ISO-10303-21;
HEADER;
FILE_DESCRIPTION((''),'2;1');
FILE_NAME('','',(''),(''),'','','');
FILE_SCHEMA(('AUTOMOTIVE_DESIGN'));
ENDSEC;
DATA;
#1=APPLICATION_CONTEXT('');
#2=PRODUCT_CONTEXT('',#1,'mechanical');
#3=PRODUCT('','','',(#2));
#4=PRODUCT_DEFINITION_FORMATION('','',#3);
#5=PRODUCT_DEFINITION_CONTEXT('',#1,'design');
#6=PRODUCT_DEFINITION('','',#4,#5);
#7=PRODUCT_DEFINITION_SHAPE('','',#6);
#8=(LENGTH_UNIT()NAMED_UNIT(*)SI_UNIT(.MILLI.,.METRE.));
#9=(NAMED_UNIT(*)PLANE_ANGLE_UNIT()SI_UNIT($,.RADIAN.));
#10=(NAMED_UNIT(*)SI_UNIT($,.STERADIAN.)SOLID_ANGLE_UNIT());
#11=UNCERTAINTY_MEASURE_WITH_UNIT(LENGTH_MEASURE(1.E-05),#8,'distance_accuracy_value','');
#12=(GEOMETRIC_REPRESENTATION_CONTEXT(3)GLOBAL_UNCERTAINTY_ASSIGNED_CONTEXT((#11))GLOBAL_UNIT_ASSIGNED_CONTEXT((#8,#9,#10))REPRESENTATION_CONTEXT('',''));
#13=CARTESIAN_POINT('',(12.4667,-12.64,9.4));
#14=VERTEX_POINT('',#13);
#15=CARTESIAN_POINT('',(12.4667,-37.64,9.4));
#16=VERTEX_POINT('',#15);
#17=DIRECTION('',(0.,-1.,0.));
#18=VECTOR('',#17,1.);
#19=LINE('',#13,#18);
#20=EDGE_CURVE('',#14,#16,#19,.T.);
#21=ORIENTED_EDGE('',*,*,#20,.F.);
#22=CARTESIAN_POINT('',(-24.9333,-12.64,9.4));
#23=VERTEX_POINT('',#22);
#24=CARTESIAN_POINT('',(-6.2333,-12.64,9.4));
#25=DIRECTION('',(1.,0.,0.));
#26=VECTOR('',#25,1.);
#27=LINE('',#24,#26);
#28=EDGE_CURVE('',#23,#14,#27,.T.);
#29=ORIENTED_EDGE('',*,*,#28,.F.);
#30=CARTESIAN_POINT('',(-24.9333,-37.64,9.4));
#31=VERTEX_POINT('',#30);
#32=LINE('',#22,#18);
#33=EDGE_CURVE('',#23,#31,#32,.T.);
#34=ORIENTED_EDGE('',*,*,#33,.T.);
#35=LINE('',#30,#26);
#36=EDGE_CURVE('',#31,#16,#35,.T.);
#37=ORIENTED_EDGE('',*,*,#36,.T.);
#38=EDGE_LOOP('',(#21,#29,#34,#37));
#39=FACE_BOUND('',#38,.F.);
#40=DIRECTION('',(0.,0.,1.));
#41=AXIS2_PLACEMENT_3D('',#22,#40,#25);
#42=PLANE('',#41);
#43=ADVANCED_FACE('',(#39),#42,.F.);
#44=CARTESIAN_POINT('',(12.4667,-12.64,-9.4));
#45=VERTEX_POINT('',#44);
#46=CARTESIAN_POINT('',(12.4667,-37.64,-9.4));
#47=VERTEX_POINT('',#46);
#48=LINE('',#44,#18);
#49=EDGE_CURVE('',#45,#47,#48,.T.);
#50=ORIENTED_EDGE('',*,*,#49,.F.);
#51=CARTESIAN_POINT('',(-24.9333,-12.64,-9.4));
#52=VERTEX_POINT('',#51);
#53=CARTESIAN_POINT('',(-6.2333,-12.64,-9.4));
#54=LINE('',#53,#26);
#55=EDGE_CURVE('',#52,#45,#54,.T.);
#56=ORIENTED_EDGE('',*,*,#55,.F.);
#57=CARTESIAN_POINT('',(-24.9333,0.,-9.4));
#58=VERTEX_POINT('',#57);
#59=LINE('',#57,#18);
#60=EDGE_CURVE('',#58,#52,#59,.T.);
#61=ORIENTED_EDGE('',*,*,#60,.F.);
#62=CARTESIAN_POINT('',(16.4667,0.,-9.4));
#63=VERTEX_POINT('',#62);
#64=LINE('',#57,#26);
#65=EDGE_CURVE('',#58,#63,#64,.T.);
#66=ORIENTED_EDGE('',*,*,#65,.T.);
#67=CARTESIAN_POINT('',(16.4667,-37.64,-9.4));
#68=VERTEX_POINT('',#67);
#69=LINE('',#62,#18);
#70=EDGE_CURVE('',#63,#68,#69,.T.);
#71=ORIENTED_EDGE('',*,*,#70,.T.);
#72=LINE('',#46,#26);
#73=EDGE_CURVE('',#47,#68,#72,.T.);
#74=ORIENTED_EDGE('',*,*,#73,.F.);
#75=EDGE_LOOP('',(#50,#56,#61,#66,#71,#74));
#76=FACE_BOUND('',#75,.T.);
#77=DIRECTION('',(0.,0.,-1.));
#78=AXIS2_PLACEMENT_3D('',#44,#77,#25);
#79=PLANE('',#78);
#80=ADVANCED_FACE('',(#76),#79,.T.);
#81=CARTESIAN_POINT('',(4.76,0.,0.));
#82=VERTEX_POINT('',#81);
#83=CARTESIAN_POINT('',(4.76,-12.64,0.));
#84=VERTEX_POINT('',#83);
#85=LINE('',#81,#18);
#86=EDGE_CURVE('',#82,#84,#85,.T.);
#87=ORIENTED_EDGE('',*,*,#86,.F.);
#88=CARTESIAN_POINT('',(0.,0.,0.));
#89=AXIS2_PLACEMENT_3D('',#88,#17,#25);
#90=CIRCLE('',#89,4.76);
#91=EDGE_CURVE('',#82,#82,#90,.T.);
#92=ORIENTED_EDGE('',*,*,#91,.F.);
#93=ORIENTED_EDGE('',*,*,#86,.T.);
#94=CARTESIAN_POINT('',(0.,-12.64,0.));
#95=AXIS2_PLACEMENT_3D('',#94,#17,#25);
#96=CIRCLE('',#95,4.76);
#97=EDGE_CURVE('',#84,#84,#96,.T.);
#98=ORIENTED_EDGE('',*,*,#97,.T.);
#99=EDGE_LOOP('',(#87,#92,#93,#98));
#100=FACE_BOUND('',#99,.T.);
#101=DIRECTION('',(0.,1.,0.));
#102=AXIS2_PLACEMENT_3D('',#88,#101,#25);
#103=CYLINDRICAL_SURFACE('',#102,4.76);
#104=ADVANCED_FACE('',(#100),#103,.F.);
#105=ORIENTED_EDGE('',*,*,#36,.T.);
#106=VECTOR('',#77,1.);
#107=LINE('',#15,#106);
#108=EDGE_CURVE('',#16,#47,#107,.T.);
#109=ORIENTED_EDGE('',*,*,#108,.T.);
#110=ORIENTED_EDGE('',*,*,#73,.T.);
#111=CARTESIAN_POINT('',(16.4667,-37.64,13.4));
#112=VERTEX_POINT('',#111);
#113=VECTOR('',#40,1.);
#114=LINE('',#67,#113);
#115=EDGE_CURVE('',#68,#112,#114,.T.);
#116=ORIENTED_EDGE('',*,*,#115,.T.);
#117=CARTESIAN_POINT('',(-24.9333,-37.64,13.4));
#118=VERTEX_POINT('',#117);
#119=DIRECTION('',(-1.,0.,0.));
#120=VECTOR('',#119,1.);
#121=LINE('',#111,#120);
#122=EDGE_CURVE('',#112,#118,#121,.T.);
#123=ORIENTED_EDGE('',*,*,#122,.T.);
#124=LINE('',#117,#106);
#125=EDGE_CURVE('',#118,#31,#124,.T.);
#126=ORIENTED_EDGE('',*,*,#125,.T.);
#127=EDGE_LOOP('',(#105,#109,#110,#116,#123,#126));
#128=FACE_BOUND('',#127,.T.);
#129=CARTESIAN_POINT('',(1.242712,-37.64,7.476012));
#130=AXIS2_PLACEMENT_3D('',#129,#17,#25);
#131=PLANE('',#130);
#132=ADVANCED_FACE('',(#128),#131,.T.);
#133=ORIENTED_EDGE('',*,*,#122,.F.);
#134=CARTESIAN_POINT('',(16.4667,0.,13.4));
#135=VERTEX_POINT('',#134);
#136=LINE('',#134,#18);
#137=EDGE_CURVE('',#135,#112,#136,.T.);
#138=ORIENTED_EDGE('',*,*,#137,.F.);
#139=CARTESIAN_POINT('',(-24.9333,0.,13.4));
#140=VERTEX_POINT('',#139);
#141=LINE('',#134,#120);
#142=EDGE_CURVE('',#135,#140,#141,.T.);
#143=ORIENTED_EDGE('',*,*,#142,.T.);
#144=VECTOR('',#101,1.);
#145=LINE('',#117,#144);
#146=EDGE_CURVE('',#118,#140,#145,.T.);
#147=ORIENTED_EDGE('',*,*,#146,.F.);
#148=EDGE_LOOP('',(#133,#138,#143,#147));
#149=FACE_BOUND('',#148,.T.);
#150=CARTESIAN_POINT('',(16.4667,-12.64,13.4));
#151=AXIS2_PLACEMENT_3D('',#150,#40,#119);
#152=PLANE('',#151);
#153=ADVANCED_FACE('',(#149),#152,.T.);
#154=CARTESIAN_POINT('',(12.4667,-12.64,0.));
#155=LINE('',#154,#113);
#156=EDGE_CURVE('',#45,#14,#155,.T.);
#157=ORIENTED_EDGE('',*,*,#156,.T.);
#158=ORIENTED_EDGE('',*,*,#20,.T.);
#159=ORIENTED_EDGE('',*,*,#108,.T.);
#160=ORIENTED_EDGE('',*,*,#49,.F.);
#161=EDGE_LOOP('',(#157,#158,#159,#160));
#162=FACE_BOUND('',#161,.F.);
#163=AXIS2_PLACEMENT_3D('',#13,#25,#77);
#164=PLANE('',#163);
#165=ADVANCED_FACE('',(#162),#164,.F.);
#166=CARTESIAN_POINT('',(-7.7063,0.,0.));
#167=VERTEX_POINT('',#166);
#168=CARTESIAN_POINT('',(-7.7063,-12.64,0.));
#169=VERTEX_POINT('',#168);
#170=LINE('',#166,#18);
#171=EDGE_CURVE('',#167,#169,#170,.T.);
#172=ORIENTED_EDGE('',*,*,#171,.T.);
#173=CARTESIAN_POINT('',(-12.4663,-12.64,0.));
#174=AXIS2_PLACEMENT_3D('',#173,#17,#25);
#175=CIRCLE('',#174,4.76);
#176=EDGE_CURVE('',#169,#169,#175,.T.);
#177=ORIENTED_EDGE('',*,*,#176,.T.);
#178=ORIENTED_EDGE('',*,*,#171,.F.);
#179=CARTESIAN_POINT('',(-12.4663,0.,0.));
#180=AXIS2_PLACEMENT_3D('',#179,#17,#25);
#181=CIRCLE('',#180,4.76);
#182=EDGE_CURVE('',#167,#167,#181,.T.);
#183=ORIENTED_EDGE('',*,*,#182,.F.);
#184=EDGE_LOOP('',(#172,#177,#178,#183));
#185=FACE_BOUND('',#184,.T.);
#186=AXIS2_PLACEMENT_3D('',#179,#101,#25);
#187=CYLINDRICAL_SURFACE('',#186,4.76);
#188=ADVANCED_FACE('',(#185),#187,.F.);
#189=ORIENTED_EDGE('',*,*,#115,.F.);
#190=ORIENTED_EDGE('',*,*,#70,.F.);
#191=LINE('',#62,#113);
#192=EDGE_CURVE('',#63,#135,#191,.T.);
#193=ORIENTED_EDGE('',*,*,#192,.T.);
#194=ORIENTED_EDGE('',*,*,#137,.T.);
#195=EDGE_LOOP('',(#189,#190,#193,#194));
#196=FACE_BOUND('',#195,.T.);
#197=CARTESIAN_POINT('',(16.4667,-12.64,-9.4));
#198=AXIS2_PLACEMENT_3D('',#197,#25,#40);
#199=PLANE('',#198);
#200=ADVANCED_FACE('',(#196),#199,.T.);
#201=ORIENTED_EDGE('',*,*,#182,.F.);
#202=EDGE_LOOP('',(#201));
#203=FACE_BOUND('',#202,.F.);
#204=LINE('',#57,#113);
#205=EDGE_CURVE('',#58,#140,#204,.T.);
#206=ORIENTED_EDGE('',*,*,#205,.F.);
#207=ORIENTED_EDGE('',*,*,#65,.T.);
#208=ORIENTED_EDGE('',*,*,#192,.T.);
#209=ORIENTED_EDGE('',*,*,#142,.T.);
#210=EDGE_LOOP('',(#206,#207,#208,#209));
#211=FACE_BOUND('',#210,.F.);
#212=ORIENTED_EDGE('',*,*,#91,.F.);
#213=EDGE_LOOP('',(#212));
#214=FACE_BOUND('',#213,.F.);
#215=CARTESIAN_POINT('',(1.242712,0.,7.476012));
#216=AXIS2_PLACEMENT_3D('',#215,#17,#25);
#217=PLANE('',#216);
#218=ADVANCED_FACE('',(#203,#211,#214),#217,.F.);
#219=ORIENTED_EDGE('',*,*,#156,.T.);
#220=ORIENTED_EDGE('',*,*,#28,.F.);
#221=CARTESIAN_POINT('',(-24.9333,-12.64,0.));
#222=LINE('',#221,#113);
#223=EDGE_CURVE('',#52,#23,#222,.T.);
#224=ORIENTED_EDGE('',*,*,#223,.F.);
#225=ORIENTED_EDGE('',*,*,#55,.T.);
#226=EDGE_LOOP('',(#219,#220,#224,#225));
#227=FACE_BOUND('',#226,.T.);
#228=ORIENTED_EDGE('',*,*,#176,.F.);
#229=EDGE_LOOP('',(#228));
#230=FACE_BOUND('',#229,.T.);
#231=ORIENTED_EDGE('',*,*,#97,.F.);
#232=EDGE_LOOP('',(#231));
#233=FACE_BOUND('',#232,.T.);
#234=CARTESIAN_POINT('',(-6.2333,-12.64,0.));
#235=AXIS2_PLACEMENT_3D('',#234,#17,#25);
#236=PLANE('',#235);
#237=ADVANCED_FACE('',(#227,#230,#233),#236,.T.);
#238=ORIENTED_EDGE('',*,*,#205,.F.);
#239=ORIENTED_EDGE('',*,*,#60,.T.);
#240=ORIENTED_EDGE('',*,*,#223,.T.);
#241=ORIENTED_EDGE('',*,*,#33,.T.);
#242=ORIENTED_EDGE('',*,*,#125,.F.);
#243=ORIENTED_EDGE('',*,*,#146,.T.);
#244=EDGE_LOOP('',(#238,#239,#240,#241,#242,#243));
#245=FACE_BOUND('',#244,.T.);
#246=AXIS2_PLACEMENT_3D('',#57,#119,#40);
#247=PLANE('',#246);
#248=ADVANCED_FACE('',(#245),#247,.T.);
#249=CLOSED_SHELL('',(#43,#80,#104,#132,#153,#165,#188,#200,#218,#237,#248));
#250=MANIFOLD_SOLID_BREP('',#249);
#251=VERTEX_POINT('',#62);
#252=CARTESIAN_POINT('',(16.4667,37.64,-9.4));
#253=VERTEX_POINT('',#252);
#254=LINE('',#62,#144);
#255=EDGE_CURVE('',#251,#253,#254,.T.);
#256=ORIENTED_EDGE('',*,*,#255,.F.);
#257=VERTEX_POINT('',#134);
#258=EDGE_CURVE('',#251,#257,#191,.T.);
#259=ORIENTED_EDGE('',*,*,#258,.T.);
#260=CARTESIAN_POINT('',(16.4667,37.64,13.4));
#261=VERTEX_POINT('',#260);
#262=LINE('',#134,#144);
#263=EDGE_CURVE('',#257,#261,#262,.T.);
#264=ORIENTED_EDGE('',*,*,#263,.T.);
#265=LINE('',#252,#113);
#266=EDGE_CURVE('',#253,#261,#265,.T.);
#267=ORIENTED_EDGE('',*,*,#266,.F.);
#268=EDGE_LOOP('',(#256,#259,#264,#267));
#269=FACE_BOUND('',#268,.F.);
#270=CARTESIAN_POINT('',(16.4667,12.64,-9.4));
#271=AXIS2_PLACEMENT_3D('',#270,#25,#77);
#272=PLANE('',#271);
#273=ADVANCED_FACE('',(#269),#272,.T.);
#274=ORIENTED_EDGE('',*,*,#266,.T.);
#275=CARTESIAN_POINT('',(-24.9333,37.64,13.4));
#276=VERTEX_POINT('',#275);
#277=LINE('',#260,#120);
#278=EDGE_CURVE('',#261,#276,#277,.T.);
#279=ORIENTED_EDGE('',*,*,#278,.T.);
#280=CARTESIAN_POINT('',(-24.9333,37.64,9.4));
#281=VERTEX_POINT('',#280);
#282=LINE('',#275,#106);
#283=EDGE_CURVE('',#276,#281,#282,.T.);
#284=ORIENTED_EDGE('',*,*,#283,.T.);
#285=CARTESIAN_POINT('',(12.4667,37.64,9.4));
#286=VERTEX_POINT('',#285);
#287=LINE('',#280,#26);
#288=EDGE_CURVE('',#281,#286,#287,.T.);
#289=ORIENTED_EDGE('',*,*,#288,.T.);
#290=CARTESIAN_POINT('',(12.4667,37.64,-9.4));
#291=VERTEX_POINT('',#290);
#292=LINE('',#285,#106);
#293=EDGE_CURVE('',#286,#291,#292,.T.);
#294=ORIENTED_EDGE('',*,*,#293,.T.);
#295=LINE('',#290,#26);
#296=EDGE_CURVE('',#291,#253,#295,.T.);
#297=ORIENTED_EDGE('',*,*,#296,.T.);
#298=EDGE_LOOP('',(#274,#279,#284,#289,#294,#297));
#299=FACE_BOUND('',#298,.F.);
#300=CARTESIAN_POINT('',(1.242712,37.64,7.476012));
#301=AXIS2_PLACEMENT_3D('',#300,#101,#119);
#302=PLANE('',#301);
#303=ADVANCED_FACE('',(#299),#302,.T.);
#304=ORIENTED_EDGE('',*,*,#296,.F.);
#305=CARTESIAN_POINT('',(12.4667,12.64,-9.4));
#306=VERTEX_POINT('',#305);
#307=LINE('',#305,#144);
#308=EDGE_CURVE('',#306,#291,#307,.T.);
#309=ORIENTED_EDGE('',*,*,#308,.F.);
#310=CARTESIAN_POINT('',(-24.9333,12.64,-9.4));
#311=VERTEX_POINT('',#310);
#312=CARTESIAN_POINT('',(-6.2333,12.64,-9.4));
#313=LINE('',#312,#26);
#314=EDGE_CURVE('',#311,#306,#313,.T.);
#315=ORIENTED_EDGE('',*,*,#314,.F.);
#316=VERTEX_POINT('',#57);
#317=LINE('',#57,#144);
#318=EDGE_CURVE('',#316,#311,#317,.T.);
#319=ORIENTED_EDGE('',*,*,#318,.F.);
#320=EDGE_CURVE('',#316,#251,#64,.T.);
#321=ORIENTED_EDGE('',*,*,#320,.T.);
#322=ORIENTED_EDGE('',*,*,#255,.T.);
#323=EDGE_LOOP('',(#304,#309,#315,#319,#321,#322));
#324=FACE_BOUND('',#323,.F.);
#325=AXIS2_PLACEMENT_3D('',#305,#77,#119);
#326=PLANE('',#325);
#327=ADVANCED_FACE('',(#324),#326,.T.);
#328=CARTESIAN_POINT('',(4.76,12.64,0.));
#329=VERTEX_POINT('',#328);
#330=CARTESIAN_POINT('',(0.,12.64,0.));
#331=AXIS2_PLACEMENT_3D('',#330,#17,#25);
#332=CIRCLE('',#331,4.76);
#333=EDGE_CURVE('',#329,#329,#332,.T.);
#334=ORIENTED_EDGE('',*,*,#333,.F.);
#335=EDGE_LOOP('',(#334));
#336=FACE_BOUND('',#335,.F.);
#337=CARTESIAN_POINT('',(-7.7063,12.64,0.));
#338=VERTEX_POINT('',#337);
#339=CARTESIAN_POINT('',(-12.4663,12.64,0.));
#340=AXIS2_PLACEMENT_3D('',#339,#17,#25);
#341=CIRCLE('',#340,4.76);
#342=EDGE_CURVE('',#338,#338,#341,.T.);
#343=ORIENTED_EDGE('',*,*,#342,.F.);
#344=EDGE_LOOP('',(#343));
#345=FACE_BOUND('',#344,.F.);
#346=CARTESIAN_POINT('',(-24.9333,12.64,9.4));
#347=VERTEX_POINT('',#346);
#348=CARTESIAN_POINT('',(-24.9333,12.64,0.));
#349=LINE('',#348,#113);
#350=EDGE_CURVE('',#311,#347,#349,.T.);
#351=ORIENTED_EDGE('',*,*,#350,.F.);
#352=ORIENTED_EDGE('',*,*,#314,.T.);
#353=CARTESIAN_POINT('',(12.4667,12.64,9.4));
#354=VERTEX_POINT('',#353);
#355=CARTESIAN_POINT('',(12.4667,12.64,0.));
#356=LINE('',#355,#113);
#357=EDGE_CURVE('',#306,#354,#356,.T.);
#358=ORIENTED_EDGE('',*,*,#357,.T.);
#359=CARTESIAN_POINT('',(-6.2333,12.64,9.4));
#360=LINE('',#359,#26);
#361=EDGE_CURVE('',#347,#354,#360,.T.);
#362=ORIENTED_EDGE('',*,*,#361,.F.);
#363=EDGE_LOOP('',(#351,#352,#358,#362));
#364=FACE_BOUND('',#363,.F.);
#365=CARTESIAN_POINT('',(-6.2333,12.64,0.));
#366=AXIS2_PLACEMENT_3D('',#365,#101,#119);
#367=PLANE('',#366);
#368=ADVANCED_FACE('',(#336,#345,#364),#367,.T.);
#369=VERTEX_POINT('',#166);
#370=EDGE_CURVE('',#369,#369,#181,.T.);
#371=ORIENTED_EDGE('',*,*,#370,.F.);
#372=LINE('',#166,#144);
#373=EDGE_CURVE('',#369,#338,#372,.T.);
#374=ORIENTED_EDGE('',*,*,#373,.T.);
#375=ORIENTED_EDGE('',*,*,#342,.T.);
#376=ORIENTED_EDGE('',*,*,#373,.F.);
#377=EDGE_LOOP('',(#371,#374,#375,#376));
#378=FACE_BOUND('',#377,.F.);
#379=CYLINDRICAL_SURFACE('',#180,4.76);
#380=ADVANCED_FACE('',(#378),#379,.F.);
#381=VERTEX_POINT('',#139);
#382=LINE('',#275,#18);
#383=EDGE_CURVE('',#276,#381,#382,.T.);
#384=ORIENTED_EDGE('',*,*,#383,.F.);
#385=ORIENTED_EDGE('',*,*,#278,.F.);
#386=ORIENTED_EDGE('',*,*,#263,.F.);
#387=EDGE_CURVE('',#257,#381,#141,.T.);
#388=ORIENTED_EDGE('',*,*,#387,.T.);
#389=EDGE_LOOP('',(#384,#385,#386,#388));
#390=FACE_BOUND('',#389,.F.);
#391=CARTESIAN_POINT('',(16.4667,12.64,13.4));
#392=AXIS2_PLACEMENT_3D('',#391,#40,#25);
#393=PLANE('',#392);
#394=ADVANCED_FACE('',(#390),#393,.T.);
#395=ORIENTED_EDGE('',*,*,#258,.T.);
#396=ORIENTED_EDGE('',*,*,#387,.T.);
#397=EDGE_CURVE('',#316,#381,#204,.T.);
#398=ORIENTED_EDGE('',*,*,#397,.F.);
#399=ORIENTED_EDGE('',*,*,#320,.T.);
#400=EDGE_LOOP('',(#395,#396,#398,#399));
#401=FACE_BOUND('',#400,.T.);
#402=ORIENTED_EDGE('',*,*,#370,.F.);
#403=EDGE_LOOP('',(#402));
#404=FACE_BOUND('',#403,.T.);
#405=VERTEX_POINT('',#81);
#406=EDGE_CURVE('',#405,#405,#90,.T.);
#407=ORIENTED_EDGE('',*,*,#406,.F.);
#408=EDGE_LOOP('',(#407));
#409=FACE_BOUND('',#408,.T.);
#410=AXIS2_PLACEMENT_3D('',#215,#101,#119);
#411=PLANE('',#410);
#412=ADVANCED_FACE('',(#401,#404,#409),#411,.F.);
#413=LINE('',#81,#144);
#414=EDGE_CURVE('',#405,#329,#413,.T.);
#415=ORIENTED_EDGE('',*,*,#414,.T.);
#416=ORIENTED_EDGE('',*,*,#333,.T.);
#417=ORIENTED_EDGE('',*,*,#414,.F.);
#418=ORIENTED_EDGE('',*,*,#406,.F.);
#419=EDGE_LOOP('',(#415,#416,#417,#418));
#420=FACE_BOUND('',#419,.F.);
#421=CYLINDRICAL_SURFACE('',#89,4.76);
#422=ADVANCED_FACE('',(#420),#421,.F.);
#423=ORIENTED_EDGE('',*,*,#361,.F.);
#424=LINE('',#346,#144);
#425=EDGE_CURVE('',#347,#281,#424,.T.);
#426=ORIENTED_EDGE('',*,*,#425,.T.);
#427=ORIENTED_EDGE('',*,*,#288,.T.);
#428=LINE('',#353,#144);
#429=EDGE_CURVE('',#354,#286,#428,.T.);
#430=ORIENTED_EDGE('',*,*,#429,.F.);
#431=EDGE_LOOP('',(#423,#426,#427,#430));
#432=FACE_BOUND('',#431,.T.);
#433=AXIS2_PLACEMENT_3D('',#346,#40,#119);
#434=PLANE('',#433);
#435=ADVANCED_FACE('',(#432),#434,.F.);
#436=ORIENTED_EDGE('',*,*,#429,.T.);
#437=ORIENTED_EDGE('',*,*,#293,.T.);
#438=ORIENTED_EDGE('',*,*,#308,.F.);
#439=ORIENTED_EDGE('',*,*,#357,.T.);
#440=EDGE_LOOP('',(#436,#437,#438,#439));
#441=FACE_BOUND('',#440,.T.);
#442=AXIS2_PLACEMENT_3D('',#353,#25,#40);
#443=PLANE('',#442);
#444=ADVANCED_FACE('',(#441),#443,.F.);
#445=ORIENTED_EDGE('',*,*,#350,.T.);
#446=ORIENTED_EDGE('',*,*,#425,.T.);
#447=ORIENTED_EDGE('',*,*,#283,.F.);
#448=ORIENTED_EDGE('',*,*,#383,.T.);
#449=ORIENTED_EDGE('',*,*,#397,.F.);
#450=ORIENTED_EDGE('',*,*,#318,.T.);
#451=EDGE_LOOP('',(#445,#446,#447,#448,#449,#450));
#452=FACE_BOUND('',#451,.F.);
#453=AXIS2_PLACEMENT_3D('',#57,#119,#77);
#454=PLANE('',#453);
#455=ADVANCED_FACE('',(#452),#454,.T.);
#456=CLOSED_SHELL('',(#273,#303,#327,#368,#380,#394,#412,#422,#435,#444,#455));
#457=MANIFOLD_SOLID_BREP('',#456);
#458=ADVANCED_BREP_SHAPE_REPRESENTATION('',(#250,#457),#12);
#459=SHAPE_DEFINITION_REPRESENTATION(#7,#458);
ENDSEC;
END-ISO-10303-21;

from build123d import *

# Parameters (mm, degrees)
F0_W          = 37.4
F0_H          = 18.8
F0_R          = 4.76
F1_DEPTH      = 12.64
F3_DEPTH      = 25
F3_DEPTH_BACK = 12.64


with BuildPart() as f1:
    # F0 (on Front) → F1 (new body)
    with BuildSketch(Plane.XZ):
        with Locations((-6.2333, 0)):
            Rectangle(F0_W, F0_H)
        with Locations((-12.4663, 0)):
            Circle(F0_R, mode=Mode.SUBTRACT)
        Circle(F0_R, mode=Mode.SUBTRACT)
    extrude(amount=F1_DEPTH)

    # F2 (on face) → F3 (join, two sides)
    with BuildSketch(Plane.XZ.offset(12.64)) as f3_sk:
        Polygon((12.4667, 9.4), (12.4667, -9.4), (16.4667, -9.4), (16.4667, 13.4), (-24.9333, 13.4), (-24.9333, 9.4), align=None)
    extrude(amount=F3_DEPTH)
    extrude(f3_sk.sketch, amount=-F3_DEPTH_BACK)


with BuildPart() as f4_1:
    # F4: instance of F1
    add(f1.part.mirror(Plane.XZ))


solid = Compound([f1.part, f4_1.part])
